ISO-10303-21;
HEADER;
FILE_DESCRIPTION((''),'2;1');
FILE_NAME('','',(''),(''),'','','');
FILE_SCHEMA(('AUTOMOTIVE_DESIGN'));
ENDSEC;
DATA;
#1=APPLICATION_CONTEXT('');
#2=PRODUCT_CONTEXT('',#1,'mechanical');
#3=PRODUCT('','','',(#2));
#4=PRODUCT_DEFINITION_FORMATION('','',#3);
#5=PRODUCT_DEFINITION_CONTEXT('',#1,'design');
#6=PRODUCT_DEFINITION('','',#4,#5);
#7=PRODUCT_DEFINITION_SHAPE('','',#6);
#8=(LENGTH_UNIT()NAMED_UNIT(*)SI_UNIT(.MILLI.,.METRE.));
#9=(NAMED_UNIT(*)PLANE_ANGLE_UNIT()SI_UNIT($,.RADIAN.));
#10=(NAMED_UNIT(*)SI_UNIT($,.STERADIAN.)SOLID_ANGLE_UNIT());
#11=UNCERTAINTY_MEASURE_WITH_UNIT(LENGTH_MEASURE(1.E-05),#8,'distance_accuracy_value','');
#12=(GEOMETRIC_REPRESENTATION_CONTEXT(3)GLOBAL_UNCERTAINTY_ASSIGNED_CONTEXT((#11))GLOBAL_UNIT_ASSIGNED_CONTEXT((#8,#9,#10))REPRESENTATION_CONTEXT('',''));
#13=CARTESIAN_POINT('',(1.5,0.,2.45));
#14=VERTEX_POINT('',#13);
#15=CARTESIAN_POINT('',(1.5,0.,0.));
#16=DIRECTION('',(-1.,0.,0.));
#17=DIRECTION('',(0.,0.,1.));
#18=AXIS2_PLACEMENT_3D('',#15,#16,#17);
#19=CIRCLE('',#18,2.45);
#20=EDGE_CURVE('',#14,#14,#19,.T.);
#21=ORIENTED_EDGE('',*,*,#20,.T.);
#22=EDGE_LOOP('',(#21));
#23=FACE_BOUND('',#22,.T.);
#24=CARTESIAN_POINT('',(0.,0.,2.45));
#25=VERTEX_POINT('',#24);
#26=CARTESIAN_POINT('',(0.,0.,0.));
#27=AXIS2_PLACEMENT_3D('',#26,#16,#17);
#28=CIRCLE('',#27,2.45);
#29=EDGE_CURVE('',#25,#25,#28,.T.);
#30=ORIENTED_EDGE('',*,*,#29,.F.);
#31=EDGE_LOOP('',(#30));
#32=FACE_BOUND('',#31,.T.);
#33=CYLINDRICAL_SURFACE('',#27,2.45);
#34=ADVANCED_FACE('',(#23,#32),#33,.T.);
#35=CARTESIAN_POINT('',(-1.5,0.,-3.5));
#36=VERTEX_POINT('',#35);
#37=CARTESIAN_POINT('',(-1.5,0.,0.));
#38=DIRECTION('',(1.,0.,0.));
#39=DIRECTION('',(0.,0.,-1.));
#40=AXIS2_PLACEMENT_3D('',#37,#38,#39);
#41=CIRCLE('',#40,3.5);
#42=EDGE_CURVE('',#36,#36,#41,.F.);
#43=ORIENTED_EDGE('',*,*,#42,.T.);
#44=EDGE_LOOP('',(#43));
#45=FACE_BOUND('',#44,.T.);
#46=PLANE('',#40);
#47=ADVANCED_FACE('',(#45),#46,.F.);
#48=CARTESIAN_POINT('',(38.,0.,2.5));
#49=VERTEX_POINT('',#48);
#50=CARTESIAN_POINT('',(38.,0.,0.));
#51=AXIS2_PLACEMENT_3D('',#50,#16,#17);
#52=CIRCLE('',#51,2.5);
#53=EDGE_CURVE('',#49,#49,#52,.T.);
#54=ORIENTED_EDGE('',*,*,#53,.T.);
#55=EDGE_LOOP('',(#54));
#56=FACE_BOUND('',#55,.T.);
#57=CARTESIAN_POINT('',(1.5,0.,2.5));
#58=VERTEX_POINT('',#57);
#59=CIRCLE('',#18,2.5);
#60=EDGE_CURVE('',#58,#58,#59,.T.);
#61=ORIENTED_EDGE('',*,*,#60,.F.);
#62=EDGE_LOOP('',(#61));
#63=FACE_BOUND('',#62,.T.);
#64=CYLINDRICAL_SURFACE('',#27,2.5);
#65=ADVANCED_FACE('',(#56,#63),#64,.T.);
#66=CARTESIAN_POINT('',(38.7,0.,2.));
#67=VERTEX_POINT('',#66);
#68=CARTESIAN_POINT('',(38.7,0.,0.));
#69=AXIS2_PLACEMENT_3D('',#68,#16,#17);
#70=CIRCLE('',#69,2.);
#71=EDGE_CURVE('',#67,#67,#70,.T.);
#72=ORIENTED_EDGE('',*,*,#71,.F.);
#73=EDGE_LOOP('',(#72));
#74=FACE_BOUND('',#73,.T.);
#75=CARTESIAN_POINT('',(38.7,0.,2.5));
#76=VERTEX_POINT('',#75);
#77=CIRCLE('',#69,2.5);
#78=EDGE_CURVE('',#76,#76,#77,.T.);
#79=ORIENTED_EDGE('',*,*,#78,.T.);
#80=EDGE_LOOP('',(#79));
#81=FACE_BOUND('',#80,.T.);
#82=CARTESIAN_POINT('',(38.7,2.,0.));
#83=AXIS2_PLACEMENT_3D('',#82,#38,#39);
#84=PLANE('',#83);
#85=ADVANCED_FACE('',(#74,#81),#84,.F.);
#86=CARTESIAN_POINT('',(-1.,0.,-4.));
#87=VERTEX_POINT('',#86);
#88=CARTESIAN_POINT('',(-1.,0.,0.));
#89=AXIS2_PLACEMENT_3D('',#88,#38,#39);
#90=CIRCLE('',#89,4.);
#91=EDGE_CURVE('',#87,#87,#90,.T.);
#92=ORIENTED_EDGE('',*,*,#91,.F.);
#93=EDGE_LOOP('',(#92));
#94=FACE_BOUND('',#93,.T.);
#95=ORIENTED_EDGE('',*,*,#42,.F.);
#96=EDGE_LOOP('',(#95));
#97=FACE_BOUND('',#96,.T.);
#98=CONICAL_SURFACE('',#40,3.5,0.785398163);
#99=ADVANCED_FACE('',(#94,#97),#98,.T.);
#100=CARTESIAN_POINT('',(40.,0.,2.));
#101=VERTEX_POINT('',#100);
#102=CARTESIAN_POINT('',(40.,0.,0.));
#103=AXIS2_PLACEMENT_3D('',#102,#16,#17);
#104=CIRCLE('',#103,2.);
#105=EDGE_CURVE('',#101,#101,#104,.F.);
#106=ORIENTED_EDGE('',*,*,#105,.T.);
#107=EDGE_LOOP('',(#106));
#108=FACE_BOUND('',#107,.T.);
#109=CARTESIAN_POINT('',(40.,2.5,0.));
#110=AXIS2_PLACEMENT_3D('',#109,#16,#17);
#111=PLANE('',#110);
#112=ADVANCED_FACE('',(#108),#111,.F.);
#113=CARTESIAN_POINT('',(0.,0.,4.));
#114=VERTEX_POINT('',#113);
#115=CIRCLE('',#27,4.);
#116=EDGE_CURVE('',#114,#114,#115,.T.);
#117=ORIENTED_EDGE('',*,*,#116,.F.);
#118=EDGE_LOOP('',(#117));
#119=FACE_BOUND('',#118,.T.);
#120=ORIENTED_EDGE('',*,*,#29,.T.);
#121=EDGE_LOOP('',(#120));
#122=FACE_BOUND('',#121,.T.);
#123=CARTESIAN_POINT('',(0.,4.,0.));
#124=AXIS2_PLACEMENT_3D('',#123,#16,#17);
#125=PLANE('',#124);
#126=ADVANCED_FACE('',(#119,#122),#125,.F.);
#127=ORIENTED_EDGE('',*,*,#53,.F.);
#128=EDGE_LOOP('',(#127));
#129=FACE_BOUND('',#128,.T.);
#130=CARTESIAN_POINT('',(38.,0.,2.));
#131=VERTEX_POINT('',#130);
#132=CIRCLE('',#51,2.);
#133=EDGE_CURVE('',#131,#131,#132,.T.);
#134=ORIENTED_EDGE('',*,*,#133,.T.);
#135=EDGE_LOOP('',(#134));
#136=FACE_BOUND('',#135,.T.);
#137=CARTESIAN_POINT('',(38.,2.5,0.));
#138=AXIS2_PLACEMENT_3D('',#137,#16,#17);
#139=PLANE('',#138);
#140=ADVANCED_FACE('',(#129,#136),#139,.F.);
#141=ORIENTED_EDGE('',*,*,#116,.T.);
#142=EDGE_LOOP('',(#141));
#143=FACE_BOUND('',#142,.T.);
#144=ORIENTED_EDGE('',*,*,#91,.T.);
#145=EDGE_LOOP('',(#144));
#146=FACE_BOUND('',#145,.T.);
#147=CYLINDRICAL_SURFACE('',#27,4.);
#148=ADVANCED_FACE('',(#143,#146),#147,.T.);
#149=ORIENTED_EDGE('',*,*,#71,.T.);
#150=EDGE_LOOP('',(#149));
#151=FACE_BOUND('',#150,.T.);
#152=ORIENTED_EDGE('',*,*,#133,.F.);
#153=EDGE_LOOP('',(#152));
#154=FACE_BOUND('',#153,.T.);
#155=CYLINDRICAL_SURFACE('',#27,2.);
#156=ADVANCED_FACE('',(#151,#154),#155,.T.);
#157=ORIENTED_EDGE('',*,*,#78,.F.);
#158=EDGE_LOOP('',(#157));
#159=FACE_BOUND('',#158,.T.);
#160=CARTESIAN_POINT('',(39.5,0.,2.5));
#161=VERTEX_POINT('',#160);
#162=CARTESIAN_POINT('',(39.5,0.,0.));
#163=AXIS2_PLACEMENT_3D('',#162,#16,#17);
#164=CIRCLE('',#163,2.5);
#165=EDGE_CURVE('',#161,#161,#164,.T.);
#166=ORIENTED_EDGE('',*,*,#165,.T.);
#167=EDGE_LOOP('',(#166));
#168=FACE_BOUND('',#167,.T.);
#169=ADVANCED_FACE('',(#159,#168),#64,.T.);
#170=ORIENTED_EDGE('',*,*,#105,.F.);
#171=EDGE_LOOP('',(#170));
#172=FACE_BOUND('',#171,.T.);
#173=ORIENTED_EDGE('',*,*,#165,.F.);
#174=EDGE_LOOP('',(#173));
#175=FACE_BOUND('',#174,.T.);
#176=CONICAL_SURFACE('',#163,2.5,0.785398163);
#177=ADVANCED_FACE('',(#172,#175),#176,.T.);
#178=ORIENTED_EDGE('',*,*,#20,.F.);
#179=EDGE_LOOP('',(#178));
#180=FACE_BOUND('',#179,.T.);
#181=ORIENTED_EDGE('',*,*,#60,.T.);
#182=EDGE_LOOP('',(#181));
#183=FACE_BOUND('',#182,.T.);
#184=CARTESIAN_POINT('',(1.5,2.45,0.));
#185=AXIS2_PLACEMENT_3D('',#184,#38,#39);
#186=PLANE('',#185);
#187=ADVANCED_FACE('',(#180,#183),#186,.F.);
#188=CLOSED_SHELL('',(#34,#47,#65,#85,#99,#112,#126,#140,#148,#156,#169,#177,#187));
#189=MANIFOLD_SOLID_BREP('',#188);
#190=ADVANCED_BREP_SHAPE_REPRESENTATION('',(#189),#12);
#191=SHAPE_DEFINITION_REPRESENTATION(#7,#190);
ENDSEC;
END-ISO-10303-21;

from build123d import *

# Parameters (mm, degrees)
CHAMFER1_SIZE = 0.5


with BuildPart() as part:
    # Sketch1 → Revolve1 (revolve)
    with BuildSketch(Plane.XY, mode=Mode.PRIVATE) as revolve1_sk:
        Polygon((-1.5, 0), (-1.5, 4), (0, 4), (0, 2.45), (1.5, 2.45), (1.5, 2.5), (38, 2.5), (38, 2), (38.7, 2), (38.7, 2.5), (40, 2.5), (40, 0), align=None)
    revolve(revolve1_sk.sketch.rotate(Axis((0, 0, 0), (1, 0, 0)), 90), axis=Axis((0, 0, 0), (1, 0, 0)))

    # Chamfer1
    chamfer1_edges = [part.edges().sort_by_distance(p)[0] for p in [
        (-1.5, 0, -4),
        (40, 0, -2.5),
    ]]
    chamfer(chamfer1_edges, length=CHAMFER1_SIZE)


solid = part.part
